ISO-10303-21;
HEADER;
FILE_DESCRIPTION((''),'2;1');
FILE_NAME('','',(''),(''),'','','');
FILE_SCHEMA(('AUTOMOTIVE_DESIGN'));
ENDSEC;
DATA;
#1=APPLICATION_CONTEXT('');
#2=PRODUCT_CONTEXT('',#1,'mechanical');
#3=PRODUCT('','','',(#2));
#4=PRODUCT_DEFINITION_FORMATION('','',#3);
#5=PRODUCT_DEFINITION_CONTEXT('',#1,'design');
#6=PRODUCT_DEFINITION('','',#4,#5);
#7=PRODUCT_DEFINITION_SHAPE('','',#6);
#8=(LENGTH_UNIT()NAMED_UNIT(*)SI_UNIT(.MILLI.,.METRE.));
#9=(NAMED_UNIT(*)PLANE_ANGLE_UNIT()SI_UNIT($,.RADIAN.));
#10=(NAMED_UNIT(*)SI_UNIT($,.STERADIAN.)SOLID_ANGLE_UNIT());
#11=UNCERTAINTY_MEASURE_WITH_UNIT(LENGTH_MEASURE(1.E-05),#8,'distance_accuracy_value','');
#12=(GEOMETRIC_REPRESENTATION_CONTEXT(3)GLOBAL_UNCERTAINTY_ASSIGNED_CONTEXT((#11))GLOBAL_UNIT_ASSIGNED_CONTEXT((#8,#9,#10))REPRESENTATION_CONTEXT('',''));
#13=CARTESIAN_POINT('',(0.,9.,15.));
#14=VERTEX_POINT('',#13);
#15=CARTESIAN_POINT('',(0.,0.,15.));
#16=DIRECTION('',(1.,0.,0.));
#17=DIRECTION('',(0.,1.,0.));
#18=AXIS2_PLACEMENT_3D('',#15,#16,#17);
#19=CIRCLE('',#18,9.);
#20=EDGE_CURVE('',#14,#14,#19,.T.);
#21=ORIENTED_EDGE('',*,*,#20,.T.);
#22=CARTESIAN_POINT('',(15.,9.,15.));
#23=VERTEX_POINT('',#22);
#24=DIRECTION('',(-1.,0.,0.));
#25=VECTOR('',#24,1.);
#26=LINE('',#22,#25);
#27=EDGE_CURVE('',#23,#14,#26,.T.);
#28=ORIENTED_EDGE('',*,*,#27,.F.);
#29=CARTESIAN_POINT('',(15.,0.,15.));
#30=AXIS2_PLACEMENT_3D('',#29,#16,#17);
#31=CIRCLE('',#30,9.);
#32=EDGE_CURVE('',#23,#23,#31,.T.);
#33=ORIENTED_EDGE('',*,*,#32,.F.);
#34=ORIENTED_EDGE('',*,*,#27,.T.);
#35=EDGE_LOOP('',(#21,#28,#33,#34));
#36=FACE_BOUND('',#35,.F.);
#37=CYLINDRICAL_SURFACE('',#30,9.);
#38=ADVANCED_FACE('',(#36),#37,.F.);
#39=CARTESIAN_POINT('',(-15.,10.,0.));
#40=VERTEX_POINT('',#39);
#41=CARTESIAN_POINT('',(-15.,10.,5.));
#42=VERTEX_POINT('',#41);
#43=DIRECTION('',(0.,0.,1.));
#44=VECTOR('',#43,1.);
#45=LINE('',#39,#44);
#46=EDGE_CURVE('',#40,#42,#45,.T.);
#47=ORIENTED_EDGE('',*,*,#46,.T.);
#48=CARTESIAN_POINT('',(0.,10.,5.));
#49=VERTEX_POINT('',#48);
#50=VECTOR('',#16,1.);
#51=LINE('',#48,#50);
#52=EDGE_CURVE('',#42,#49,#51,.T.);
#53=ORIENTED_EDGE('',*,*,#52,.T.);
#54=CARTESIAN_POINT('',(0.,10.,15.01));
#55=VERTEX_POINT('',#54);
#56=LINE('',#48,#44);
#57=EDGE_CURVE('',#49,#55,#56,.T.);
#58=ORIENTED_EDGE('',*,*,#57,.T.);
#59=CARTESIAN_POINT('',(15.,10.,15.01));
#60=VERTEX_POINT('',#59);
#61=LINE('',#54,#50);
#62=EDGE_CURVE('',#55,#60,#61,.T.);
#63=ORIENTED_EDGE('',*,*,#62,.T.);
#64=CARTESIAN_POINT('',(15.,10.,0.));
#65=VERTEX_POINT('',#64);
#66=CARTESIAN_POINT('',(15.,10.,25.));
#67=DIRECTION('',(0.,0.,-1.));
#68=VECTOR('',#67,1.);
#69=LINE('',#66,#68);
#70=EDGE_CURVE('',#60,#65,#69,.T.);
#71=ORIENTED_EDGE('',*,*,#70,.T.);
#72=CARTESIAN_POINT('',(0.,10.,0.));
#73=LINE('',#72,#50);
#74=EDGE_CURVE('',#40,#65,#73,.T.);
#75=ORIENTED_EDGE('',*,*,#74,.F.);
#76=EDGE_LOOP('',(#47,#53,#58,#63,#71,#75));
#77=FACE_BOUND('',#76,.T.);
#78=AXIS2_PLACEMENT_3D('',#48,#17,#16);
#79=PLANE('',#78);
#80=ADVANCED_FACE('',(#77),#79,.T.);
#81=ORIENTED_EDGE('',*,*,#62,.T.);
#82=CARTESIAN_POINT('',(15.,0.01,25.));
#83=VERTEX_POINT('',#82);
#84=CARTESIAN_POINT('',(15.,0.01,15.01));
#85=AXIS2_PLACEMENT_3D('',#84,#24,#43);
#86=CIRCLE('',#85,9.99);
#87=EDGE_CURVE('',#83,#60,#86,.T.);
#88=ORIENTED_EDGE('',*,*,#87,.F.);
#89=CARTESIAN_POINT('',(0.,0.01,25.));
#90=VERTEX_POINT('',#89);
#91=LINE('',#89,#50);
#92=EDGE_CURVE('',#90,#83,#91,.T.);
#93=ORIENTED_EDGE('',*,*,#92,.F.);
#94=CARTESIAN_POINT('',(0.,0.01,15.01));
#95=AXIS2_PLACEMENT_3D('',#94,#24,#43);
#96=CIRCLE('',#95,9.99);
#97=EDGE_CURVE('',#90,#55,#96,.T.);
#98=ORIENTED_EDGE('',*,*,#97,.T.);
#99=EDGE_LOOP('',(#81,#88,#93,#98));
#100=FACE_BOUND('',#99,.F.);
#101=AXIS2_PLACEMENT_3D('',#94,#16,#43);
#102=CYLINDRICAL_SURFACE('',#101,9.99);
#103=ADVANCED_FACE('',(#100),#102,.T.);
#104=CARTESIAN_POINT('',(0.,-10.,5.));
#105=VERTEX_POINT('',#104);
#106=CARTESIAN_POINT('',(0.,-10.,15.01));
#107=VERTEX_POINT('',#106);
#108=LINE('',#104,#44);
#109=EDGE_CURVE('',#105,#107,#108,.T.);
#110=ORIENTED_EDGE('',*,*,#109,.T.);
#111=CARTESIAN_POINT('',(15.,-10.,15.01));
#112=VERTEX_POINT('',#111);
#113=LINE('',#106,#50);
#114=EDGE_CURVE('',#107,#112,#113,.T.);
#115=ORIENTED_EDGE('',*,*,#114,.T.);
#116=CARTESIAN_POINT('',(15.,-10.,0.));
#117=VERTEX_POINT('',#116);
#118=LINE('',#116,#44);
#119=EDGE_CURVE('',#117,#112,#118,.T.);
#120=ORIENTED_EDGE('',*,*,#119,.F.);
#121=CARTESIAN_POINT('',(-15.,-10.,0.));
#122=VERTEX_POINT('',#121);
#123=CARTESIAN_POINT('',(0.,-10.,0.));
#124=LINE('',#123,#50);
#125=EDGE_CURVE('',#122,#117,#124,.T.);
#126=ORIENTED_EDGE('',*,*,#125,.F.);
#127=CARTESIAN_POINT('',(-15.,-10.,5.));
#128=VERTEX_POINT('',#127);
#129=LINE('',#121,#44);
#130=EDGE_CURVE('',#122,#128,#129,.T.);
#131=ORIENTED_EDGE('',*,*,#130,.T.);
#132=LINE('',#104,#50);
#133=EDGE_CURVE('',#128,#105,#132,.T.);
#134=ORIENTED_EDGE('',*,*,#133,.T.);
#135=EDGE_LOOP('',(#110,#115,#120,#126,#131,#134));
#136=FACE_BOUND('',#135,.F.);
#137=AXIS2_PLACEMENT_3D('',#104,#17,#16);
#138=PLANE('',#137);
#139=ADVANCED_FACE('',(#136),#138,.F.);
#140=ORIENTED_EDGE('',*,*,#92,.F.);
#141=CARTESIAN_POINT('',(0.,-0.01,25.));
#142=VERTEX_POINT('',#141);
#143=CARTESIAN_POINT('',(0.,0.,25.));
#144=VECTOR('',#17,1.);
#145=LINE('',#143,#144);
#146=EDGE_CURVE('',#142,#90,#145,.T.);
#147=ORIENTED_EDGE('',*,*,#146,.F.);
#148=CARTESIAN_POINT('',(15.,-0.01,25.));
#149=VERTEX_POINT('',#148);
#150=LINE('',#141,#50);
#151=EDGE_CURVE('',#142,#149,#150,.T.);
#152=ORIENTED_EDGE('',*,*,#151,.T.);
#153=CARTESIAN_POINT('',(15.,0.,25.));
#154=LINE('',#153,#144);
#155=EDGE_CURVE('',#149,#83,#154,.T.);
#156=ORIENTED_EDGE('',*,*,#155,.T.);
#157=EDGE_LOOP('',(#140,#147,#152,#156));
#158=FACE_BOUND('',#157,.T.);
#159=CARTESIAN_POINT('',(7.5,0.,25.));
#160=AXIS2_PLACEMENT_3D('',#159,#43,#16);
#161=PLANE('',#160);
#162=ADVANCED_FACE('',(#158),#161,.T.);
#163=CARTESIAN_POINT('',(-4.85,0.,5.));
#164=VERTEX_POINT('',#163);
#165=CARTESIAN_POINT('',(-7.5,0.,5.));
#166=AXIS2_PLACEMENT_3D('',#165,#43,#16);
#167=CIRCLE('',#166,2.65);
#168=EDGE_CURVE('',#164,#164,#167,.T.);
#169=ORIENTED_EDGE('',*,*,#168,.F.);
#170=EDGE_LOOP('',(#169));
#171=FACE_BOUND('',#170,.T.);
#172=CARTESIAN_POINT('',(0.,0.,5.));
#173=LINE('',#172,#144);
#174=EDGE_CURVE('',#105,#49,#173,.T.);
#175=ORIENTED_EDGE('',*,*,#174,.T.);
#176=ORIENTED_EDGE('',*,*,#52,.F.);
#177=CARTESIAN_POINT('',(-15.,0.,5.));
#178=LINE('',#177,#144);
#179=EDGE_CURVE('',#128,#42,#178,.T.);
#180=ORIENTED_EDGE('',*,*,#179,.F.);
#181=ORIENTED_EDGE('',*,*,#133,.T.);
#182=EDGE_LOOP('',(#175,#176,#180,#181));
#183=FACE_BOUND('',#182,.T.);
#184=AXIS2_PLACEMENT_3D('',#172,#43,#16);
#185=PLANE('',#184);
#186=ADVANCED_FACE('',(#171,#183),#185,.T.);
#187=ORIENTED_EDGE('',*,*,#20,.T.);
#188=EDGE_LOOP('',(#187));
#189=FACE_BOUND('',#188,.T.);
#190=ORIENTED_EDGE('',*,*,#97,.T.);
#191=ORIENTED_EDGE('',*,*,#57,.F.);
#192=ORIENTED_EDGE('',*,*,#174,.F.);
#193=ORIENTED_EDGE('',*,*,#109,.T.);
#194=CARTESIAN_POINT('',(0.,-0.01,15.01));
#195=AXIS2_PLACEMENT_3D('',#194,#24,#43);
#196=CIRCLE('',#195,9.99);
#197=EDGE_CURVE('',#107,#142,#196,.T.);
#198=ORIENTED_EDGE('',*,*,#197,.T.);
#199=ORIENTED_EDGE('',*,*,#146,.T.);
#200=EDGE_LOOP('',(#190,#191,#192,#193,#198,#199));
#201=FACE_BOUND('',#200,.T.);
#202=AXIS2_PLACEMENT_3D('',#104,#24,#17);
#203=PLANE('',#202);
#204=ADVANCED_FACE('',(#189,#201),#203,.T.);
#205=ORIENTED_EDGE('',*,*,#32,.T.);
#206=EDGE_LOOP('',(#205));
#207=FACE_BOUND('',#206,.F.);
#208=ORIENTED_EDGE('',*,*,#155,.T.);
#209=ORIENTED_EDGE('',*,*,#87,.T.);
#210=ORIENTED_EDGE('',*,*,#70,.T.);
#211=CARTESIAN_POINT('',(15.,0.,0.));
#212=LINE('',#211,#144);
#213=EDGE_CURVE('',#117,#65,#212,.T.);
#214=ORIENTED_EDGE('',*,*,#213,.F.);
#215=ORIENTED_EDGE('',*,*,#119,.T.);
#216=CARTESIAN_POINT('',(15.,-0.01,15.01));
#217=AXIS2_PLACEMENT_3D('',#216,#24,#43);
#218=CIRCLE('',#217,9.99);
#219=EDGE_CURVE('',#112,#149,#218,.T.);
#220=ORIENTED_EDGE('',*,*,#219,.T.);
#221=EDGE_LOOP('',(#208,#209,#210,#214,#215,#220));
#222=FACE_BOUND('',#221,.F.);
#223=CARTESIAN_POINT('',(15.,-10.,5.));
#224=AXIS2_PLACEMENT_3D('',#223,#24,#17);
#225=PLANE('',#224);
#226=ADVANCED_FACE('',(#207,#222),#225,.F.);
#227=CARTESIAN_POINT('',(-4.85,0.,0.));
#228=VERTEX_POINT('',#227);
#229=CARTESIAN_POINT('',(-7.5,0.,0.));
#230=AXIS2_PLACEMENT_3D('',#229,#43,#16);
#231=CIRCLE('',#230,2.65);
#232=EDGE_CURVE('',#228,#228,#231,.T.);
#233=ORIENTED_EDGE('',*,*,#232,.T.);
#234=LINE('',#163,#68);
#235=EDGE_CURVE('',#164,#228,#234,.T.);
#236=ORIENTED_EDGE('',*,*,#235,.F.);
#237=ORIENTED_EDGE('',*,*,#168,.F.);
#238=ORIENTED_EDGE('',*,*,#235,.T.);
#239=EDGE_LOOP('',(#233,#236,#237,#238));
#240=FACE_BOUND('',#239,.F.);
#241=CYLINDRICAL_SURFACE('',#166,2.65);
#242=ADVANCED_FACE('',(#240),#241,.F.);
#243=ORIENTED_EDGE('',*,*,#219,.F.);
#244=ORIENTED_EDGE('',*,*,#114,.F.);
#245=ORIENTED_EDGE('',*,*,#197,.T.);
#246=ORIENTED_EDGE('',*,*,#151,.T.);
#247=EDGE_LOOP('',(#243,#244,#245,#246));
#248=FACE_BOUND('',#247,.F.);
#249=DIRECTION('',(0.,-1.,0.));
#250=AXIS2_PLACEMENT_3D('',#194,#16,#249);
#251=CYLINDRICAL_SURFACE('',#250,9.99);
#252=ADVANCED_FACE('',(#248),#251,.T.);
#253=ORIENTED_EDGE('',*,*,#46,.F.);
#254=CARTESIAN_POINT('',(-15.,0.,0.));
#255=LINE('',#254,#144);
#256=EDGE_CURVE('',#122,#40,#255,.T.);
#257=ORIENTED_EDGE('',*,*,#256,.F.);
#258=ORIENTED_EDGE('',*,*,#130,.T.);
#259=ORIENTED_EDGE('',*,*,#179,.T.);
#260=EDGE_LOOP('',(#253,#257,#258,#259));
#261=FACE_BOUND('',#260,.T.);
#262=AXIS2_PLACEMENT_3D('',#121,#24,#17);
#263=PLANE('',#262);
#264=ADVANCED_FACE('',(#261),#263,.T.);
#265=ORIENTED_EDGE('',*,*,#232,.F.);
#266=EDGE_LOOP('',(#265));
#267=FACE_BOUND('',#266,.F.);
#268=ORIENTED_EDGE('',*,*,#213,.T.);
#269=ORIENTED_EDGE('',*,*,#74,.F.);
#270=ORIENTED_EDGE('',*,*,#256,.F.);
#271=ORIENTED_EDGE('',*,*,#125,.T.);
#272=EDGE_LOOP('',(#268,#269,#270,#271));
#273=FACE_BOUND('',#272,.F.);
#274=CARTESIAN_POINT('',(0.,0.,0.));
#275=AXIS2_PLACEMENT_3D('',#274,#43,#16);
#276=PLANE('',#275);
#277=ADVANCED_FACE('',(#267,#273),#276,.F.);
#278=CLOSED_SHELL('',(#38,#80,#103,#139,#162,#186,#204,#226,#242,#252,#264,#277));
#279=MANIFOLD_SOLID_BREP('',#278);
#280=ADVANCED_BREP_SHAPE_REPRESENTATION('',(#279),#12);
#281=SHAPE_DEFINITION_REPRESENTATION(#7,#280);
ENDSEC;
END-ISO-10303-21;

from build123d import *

# Parameters (mm, degrees)
SKETCH_W        = 30
SKETCH_H        = 20
PAD_DEPTH       = 5
SKETCH001_R     = 2.65
POCKET_DEPTH    = 5
SKETCH002_W     = 15
SKETCH002_H     = 20
PAD001_DEPTH    = 20
SKETCH003_R     = 9
POCKET001_DEPTH = 15
FILLET_R        = 9.99


with BuildPart() as part:
    # Sketch → Pad (new body)
    with BuildSketch(Plane.XY):
        Rectangle(SKETCH_W, SKETCH_H)
    extrude(amount=PAD_DEPTH)

    # Sketch001 (on Face6 of Pad) → Pocket (cut)
    with BuildSketch(Plane.XY.offset(5)):
        with Locations((-7.5, 0)):
            Circle(SKETCH001_R)
    extrude(amount=-POCKET_DEPTH, mode=Mode.SUBTRACT)

    # Sketch002 (on Face5 of Pocket) → Pad001 (join)
    with BuildSketch(Plane.XY.offset(5)):
        with Locations((7.5, 0)):
            Rectangle(SKETCH002_W, SKETCH002_H)
    extrude(amount=PAD001_DEPTH)

    # Sketch003 (on Face11 of Pad001) → Pocket001 (cut)
    with BuildSketch(Plane.YZ.offset(15)):
        with Locations((0, 15)):
            Circle(SKETCH003_R)
    extrude(amount=-POCKET001_DEPTH, mode=Mode.SUBTRACT)

    # Fillet
    fillet_edges = [part.edges().sort_by_distance(p)[0] for p in [
        (7.5, -10, 25),
        (7.5, 10, 25),
    ]]
    fillet(fillet_edges, radius=FILLET_R)


solid = part.part
